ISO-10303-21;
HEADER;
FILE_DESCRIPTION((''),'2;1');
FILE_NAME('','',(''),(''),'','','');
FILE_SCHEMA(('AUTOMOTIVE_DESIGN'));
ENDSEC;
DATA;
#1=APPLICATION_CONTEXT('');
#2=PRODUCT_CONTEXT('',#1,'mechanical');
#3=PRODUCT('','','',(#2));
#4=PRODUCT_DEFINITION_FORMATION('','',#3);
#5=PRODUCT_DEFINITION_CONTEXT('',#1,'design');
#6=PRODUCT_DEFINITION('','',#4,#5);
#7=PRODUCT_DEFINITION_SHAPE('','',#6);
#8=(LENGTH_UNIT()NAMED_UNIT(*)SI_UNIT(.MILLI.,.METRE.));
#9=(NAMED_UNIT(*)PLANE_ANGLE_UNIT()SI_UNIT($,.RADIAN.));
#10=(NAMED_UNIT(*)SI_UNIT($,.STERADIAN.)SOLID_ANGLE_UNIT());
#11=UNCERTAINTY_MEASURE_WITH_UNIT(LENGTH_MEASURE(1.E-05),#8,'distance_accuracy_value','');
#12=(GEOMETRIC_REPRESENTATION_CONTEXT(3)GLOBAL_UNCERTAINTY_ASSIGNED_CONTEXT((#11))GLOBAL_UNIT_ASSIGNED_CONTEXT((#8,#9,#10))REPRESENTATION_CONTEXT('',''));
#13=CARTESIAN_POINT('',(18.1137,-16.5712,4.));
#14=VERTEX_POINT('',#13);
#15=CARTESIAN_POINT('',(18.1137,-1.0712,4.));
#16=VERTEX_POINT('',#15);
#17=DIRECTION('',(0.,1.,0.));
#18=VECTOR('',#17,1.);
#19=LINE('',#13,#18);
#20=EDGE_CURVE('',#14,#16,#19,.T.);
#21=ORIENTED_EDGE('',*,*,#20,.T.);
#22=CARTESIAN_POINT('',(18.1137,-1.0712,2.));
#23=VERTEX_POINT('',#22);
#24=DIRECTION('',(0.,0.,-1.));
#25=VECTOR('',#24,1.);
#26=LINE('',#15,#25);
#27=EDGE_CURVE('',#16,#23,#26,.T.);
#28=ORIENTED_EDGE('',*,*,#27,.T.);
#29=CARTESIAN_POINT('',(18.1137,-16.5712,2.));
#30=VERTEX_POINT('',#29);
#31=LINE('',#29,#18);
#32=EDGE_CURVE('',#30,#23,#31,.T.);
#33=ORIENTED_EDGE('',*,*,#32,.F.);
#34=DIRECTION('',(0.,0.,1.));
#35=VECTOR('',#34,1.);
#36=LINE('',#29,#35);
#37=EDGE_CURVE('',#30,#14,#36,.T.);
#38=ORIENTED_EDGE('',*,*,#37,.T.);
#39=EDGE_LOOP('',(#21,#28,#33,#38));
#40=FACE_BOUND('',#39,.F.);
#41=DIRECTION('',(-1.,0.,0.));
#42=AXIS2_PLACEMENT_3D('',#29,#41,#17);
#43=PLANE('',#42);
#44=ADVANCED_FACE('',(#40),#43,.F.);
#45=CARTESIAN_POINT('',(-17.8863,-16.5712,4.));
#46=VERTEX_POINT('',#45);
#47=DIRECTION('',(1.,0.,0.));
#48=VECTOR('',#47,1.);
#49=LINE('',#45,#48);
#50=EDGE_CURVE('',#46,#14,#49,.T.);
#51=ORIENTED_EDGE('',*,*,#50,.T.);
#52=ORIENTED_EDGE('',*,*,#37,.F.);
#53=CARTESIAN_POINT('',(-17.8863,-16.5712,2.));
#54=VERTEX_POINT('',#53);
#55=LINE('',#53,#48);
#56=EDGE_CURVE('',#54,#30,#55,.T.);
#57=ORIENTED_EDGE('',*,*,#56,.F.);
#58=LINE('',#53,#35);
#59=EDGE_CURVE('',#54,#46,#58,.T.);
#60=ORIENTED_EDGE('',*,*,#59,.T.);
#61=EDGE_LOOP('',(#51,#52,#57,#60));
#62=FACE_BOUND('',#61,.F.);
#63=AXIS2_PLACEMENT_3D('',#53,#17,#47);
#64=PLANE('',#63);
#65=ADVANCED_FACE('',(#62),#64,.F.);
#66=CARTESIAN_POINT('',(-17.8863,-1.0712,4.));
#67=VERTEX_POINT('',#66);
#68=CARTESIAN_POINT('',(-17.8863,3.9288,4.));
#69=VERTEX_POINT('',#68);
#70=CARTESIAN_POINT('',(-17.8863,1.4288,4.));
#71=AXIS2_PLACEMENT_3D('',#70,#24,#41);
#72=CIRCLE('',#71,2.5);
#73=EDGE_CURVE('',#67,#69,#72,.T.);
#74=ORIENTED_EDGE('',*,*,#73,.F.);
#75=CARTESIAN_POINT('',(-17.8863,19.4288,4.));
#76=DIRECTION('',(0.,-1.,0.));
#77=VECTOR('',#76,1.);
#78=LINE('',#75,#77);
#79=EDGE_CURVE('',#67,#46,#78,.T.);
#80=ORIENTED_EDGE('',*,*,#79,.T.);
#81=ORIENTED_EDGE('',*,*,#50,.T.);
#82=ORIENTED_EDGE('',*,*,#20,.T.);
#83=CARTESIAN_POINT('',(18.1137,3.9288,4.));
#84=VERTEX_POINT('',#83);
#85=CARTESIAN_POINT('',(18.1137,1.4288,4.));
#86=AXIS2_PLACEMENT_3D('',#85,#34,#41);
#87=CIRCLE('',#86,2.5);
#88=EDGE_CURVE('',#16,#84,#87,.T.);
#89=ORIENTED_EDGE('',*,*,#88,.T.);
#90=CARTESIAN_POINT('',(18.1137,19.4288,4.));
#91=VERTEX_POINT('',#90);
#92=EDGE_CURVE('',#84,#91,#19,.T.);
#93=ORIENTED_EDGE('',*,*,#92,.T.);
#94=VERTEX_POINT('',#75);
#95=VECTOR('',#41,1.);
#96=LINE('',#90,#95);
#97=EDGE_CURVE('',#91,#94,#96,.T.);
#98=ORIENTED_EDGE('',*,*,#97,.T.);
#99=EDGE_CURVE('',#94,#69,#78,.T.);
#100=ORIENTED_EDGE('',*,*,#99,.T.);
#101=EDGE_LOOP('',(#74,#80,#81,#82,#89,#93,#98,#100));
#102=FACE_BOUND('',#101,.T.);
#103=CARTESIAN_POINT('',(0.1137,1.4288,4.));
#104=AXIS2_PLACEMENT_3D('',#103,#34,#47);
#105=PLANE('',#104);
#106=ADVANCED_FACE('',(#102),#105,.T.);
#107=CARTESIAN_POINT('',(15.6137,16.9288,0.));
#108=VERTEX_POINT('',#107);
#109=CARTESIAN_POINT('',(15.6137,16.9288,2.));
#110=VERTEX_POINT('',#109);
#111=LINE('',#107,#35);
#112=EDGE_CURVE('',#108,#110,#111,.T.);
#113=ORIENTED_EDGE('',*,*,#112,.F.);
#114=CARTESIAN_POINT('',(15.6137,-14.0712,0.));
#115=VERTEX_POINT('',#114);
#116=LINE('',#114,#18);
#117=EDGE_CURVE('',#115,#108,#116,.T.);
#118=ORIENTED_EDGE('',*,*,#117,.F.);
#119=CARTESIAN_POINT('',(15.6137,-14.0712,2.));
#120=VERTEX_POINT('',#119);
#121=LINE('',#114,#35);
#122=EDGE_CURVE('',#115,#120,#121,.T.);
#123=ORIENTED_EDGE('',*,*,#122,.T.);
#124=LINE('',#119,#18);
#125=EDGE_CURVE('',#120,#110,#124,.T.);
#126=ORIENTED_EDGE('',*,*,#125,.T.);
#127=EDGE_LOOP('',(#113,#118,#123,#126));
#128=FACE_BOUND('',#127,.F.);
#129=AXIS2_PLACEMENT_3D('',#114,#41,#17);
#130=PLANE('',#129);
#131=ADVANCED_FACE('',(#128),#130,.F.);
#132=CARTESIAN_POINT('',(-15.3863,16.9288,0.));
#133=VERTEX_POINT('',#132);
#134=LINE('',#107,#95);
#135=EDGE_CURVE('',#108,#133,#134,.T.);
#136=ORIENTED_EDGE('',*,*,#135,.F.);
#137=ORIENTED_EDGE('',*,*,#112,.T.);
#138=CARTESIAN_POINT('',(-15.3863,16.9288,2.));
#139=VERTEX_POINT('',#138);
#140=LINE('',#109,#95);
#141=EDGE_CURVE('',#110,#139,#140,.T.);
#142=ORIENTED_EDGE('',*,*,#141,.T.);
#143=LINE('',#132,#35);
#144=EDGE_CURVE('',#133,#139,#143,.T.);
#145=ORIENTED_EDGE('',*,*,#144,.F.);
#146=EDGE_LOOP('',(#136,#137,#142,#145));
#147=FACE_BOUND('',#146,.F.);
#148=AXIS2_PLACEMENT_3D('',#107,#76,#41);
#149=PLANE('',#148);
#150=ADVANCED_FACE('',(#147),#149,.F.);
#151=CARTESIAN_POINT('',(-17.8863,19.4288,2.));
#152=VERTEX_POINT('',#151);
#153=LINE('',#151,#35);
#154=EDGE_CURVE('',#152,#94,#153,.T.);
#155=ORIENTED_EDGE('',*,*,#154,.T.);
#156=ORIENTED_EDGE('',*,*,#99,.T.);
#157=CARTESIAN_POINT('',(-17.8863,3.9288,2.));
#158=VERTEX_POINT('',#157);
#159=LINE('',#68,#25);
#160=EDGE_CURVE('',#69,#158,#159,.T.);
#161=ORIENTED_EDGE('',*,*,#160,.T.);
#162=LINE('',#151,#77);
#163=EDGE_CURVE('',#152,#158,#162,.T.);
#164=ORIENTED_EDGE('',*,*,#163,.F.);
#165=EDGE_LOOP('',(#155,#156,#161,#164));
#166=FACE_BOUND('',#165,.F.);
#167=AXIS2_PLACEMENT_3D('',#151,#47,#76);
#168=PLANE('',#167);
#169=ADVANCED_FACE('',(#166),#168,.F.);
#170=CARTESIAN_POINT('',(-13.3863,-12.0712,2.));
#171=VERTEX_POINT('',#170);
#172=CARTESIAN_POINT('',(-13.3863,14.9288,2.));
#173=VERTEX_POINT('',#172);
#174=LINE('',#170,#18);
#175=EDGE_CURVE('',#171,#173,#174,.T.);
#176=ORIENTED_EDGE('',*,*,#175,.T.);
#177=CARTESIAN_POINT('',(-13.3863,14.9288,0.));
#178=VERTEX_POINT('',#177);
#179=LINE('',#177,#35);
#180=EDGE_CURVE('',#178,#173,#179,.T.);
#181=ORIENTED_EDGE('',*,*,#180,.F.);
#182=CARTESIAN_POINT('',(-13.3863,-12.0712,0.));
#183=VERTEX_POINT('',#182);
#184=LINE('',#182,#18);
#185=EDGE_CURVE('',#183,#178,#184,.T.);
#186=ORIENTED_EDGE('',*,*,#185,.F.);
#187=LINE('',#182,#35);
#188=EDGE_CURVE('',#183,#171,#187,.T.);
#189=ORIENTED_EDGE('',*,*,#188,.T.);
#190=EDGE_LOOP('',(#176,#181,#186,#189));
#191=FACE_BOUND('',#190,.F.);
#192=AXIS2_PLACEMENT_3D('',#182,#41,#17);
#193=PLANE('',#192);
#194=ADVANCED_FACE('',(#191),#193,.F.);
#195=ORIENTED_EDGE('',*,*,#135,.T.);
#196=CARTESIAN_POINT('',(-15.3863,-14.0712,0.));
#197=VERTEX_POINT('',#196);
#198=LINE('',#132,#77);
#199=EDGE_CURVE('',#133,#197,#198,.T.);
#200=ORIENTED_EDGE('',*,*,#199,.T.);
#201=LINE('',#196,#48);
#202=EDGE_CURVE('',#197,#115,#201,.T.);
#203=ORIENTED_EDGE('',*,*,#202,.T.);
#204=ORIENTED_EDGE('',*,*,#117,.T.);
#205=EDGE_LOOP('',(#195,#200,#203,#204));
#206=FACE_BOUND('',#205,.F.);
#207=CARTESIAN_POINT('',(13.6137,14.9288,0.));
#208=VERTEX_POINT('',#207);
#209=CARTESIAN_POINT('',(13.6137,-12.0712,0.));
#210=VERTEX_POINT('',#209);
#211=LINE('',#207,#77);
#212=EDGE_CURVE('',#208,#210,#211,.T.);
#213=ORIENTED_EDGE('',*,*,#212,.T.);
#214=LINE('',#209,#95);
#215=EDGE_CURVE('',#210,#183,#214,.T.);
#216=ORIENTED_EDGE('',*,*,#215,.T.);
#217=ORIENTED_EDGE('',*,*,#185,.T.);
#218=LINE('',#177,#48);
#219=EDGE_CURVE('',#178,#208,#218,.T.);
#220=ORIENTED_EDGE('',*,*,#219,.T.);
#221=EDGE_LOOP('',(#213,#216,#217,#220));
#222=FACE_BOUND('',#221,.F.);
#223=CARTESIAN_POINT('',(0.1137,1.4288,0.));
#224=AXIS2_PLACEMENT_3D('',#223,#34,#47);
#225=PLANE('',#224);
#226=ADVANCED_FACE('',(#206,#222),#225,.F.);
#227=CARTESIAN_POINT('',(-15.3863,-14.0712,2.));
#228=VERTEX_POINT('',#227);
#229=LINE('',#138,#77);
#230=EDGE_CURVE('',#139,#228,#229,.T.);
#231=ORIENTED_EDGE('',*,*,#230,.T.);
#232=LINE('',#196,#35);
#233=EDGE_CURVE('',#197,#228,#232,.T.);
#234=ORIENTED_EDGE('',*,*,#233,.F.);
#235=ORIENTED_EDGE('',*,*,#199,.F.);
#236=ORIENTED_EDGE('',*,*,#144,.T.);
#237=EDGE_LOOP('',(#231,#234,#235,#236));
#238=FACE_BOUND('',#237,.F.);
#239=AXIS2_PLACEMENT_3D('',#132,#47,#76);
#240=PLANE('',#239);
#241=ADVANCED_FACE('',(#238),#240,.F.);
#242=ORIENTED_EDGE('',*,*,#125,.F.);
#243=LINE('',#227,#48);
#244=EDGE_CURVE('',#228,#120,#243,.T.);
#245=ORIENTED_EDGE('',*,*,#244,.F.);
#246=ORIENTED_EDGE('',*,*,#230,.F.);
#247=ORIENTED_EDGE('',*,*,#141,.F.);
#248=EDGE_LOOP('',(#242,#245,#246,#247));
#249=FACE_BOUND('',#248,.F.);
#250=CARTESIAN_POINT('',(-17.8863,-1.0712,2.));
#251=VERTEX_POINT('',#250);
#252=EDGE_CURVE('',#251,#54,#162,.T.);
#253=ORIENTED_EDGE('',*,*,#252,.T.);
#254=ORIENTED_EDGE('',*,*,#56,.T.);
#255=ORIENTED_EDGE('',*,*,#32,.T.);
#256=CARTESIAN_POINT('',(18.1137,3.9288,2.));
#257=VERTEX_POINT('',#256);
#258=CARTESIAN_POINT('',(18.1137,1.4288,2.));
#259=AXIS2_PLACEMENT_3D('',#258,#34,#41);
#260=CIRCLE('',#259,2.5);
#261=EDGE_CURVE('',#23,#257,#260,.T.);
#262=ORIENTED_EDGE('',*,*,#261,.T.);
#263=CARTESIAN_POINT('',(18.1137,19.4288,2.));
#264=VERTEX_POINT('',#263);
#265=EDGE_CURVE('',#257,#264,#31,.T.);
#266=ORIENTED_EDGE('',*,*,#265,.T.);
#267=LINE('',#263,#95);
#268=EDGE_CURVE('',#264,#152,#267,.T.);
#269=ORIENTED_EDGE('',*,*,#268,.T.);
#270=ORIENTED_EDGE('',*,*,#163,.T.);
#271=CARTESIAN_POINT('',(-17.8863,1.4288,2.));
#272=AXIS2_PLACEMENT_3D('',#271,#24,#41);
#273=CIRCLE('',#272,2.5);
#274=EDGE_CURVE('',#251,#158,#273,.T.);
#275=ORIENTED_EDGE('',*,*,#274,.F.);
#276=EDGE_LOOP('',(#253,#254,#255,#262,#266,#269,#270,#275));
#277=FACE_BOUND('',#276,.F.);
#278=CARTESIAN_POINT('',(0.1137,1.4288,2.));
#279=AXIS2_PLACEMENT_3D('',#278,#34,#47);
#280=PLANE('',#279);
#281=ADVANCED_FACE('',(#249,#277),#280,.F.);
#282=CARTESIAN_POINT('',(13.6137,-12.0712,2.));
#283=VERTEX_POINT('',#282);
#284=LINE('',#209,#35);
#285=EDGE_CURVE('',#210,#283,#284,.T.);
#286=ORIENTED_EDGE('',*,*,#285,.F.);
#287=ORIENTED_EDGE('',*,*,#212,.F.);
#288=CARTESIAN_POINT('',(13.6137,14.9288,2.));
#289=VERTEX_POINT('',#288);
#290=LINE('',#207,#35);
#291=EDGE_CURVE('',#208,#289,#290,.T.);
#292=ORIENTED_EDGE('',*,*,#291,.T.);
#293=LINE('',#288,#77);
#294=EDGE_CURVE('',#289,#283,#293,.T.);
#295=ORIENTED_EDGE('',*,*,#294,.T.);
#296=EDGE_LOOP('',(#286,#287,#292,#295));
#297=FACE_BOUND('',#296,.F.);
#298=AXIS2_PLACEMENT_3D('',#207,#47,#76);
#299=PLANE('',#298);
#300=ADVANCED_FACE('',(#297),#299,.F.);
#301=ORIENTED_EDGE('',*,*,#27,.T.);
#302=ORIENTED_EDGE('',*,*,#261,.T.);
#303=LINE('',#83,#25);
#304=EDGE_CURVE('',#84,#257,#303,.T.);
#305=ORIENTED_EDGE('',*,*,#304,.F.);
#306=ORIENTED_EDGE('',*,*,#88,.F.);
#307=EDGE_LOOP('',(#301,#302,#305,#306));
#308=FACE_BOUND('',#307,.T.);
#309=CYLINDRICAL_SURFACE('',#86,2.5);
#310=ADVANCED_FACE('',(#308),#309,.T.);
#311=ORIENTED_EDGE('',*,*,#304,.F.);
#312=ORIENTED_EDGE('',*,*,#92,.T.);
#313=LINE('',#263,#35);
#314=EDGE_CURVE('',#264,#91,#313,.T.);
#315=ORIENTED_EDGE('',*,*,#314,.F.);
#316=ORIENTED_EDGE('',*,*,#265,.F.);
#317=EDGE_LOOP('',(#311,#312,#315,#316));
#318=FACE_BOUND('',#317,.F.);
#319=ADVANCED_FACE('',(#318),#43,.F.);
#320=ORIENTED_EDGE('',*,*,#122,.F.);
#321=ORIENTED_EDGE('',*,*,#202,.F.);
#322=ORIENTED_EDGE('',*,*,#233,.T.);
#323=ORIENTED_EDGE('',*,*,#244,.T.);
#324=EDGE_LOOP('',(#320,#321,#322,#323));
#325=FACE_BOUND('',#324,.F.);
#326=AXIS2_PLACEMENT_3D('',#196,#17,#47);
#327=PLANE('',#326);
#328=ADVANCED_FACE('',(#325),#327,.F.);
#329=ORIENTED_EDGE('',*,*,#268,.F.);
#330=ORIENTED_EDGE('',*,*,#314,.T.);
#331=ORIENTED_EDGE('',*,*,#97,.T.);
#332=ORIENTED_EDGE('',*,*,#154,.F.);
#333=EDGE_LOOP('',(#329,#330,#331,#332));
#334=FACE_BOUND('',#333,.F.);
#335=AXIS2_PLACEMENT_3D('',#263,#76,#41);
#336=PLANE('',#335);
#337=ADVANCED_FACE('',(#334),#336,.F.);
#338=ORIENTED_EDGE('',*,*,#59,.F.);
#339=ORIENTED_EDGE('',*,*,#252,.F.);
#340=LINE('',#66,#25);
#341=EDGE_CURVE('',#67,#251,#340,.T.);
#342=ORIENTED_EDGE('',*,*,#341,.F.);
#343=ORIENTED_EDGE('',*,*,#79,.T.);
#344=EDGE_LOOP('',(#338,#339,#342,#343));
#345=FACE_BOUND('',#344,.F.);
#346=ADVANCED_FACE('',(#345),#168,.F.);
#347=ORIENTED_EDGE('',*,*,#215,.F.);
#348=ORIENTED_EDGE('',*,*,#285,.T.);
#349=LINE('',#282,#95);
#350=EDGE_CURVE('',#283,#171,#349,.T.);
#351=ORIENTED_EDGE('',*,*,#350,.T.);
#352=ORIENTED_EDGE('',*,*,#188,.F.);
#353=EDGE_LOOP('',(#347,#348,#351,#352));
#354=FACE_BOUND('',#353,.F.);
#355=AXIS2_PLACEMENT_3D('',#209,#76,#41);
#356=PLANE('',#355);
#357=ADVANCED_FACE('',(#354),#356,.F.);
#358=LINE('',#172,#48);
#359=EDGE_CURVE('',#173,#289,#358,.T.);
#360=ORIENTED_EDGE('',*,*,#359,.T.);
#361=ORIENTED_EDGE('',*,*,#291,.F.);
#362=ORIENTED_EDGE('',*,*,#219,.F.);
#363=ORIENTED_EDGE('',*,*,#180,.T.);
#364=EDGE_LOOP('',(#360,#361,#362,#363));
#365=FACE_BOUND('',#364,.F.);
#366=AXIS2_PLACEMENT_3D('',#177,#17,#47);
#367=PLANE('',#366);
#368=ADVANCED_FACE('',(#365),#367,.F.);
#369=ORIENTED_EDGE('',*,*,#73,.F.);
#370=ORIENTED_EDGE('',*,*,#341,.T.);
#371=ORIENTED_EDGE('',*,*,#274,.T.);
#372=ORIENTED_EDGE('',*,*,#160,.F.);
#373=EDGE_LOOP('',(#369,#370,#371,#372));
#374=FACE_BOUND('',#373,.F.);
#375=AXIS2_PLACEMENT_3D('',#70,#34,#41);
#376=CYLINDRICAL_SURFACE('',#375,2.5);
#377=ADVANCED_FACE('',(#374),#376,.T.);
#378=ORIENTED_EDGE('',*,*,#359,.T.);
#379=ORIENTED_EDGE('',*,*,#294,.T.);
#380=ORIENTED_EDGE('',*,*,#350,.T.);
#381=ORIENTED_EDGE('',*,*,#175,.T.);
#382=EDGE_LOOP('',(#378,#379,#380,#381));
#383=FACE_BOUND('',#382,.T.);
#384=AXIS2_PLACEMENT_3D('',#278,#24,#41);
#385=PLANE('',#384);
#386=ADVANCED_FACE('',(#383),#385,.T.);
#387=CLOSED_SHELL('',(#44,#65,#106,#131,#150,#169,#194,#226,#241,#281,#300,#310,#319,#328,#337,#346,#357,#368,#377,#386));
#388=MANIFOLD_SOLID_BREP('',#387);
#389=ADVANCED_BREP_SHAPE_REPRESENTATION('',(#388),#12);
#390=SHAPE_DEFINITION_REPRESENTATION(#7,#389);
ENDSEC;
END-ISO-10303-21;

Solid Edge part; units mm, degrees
sketch "Sketch1" plane through (0, 0, 0) normal (0, 0, 1) x (1, 0, 0)
  line L0 (-15.3863, -14.0712) -> (15.6137, -14.0712)
  line L1 (15.6137, -14.0712) -> (15.6137, 16.9288)
  line L2 (15.6137, 16.9288) -> (-15.3863, 16.9288)
  line L3 (-15.3863, 16.9288) -> (-15.3863, -14.0712)
extrude "Protrusion1" add sketch "Sketch1" along normal blind 2
sketch "Sketch2" plane through (0.1137, 1.4288, 2) normal (0, 0, 1) x (1, 0, 0)
  line L0 (-18, -18) -> (18, -18)
  line L1 (18, -18) -> (18, 18)
  line L2 (18, 18) -> (-18, 18)
  line L3 (-18, 18) -> (-18, -18)
extrude "ExtrudedProtrusion_3" add sketch "Sketch2" along normal blind 2
sketch "Sketch3" plane through (0.1137, 1.4288, 0) normal (0, 0, -1) x (1, 0, 0)
  line L0 (-13.5, -13.5) -> (13.5, -13.5)
  line L1 (13.5, -13.5) -> (13.5, 13.5)
  line L2 (13.5, 13.5) -> (-13.5, 13.5)
  line L3 (-13.5, 13.5) -> (-13.5, -13.5)
extrude "ExtrudedCutout_1" cut sketch "Sketch3" against normal blind 2
sketch "Sketch4" plane through (0.1137, 1.4288, 4) normal (0, 0, 1) x (-1, 0, 0)
  line L0 (-18, -2.5) -> (-18, 2.5)
  arc A0 (-18, 2.5) -> (-18, -2.5) centre (-18, 0) ccw
  line L1 (18, -2.5) -> (18, 2.5)
  arc A1 (18, 2.5) -> (18, -2.5) centre (18, 0) cw
extrude "ExtrudedProtrusion_4" add sketch "Sketch4" against normal blind 2
